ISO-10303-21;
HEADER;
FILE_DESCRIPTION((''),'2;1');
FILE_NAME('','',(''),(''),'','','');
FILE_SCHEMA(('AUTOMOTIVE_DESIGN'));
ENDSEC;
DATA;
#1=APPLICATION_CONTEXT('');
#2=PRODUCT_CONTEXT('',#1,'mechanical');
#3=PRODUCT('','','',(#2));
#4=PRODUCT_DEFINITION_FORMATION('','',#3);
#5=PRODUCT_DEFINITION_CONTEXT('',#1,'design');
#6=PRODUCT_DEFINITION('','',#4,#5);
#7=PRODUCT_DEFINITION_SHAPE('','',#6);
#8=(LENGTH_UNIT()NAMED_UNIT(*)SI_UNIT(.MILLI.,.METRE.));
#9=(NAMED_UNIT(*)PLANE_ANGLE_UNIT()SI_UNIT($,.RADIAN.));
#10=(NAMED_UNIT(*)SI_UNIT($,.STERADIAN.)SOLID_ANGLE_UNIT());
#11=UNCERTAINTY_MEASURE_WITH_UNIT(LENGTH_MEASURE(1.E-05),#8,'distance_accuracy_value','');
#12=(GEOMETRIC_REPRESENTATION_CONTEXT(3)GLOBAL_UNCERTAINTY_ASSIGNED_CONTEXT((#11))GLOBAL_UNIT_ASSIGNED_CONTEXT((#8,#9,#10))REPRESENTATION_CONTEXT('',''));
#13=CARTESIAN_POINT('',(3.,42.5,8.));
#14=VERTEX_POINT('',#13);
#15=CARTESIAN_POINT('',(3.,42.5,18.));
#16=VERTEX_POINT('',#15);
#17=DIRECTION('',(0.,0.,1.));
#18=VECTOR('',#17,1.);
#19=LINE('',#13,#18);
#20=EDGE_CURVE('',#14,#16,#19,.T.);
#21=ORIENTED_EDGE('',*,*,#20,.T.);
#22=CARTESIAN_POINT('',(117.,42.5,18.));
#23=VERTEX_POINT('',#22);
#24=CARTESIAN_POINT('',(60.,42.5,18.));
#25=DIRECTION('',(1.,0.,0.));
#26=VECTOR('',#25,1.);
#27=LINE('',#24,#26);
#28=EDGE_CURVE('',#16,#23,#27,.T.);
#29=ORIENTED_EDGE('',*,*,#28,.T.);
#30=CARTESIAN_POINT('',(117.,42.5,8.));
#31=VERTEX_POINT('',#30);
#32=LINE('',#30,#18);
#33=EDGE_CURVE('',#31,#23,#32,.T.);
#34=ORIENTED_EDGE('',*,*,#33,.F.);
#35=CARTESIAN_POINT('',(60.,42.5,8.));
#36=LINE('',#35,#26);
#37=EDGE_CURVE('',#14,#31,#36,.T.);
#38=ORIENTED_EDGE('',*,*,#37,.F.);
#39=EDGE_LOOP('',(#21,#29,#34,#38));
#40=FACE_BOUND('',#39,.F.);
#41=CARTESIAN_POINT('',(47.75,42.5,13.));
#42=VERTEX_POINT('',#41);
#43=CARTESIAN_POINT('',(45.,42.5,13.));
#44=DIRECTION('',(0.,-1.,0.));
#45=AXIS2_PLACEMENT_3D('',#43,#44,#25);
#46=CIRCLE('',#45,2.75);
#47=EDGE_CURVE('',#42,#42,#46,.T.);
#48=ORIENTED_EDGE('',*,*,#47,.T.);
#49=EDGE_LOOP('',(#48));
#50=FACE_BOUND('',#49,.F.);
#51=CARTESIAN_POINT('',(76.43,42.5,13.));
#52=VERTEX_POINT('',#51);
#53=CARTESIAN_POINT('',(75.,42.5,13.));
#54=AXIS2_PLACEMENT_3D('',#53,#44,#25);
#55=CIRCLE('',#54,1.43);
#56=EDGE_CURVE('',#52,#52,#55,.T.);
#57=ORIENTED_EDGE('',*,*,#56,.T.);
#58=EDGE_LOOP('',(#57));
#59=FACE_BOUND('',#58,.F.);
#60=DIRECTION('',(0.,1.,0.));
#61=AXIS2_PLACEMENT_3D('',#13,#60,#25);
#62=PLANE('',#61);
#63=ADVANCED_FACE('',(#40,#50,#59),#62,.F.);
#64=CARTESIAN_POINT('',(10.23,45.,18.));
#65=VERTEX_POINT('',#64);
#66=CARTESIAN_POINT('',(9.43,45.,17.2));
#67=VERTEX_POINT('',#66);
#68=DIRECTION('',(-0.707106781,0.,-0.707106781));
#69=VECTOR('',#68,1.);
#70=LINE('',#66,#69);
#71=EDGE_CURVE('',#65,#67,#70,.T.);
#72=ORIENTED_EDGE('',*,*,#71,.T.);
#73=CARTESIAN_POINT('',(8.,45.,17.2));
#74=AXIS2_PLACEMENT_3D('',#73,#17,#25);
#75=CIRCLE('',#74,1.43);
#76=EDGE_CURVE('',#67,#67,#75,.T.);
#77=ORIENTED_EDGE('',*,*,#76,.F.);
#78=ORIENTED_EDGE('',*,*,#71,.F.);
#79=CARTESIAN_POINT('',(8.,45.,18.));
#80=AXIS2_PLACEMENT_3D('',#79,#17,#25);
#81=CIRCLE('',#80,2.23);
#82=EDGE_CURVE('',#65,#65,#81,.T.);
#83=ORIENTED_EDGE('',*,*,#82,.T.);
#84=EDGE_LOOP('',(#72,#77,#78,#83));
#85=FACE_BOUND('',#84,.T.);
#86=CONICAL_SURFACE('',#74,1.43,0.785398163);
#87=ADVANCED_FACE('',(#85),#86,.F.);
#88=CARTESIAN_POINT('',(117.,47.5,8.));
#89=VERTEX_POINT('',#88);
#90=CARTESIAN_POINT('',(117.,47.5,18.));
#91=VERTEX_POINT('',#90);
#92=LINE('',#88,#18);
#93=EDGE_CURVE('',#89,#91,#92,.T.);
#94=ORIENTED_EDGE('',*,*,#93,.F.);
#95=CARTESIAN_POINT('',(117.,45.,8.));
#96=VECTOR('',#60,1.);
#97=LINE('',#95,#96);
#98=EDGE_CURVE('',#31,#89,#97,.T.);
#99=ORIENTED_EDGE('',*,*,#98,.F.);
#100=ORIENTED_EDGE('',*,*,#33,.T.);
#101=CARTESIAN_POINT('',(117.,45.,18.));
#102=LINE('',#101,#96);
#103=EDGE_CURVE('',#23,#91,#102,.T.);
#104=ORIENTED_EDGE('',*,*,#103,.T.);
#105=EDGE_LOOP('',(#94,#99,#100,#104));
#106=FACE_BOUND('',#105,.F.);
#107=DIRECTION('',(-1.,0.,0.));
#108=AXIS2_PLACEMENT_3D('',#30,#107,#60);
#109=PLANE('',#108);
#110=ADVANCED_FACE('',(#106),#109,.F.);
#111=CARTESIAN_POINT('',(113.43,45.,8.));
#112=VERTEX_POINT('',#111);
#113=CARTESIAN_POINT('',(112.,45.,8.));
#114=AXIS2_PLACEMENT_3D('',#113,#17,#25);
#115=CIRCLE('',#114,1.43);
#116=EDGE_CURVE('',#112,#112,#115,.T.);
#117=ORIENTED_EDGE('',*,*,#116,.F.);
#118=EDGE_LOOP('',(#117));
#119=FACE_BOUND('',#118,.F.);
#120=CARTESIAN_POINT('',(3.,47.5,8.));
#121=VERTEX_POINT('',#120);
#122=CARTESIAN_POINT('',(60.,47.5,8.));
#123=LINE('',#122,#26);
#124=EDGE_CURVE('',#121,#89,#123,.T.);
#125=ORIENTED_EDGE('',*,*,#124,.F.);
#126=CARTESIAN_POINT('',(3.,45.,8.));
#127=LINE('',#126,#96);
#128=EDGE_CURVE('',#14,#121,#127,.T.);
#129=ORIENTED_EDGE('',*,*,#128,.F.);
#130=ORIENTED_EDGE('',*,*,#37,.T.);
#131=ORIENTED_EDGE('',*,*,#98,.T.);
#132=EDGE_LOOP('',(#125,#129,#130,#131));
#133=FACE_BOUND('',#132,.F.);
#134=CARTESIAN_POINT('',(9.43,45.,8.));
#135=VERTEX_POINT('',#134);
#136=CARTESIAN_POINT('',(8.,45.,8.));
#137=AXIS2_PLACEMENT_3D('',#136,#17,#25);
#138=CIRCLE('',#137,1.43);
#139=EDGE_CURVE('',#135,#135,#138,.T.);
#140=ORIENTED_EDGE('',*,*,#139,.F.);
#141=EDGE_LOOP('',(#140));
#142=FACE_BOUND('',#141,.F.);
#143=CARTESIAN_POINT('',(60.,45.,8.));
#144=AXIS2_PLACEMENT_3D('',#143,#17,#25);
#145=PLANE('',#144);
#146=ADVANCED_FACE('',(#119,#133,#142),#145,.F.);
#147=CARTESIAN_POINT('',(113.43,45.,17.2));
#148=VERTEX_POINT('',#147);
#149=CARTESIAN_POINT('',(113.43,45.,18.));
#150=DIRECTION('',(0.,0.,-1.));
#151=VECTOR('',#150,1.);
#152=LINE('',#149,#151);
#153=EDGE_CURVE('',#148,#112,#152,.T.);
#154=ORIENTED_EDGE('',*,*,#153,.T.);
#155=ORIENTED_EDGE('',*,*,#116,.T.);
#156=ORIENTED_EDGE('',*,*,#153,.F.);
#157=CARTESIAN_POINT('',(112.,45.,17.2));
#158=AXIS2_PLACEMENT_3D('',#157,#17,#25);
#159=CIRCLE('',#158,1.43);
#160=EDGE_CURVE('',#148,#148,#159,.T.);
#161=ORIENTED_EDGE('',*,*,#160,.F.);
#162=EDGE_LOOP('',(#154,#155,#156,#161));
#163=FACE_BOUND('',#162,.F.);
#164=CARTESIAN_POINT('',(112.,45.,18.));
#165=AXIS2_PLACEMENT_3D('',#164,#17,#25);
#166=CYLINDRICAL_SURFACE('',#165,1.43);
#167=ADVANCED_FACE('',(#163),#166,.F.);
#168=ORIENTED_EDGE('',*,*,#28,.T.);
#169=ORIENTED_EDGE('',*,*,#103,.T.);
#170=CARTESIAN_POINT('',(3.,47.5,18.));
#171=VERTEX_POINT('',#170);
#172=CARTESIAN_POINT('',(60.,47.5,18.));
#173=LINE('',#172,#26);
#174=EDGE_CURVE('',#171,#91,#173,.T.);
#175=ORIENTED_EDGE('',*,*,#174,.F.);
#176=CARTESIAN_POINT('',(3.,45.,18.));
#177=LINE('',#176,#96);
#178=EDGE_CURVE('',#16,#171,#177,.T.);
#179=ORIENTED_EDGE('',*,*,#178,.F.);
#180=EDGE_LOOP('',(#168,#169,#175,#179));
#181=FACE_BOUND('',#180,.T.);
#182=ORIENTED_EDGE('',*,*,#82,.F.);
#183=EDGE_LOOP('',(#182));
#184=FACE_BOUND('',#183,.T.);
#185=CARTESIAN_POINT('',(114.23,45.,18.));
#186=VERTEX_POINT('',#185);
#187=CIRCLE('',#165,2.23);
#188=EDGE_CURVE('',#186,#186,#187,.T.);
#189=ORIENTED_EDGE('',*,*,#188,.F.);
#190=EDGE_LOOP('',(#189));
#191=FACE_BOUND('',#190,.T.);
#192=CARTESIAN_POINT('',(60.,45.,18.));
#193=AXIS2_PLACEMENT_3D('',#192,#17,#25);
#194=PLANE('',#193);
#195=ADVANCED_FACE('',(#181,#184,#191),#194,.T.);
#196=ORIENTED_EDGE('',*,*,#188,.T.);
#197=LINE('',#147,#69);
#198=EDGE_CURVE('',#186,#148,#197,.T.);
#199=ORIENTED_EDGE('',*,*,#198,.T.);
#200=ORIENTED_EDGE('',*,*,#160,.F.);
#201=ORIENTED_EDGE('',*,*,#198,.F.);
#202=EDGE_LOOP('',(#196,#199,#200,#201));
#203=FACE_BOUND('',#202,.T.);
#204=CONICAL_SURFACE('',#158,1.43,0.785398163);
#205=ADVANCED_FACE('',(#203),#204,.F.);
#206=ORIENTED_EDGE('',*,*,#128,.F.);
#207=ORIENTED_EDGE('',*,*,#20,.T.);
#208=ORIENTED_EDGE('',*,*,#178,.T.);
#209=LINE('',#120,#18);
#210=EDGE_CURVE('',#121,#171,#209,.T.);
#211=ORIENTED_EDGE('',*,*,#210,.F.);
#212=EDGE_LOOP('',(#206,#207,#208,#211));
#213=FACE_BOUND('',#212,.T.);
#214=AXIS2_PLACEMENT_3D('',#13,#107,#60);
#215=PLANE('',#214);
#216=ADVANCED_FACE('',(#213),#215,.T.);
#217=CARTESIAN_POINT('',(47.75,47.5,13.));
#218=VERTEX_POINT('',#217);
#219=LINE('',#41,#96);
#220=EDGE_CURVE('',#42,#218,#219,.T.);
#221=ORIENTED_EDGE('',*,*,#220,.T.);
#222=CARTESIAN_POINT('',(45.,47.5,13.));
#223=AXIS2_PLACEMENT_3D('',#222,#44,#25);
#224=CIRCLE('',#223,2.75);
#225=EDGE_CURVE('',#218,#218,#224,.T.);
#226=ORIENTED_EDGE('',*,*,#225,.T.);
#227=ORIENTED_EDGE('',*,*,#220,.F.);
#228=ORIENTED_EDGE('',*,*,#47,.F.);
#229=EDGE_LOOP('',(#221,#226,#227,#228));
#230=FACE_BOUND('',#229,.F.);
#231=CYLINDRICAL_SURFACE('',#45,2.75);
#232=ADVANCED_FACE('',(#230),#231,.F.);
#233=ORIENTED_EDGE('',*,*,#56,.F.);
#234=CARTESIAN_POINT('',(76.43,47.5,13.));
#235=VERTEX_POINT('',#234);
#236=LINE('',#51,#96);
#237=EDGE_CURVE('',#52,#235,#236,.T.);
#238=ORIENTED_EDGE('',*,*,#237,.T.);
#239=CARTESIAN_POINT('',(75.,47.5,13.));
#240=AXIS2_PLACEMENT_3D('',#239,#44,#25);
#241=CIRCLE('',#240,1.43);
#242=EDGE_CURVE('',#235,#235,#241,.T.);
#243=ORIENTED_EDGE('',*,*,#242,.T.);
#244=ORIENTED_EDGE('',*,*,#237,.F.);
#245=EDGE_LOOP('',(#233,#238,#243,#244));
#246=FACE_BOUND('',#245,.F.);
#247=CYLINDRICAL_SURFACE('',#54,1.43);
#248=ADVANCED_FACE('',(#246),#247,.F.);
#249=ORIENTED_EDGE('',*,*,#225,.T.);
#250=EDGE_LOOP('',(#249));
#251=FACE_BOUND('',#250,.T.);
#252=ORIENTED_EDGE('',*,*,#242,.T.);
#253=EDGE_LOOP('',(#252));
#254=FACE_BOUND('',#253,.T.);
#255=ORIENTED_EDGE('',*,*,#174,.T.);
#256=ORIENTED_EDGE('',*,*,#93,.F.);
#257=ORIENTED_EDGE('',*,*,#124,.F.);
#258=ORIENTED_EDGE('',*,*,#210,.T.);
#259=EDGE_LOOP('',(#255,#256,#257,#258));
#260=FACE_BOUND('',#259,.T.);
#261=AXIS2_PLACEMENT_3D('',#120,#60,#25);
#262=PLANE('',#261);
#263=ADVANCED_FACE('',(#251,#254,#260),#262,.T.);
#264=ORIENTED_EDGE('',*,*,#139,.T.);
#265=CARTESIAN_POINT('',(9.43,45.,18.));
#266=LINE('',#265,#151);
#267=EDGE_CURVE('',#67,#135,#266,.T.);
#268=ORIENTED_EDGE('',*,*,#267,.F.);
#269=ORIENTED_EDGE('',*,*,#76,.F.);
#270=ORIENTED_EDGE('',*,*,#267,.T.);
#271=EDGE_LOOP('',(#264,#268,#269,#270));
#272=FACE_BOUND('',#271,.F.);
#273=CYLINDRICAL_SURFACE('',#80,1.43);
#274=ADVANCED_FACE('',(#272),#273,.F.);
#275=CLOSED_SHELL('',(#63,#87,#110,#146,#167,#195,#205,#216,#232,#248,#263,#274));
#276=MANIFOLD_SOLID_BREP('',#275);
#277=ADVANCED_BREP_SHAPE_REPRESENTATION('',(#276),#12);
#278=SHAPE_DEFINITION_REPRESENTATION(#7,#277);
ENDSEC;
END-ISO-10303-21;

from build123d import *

# Parameters (mm, degrees)
SKETCH004_W     = 114
SKETCH004_H     = 5
PAD001_DEPTH    = 10
SKETCH005_R     = 1.43
POCKET003_DEPTH = 10
CHAMFER_SIZE    = 0.8
SKETCH009_R     = 2.75
SKETCH009_R_2   = 1.43
POCKET006_DEPTH = 5


with BuildPart() as part:
    # Sketch004 → Pad001 (new body)
    with BuildSketch(Plane.XY):
        with Locations((60, 45)):
            Rectangle(SKETCH004_W, SKETCH004_H)
    extrude(amount=PAD001_DEPTH)

    # Sketch005 (on Face6 of Pad001) → Pocket003 (cut)
    with BuildSketch(Plane.XY.offset(10)):
        with Locations((8, 45)):
            Circle(SKETCH005_R)
        with Locations((112, 45)):
            Circle(SKETCH005_R)
    extrude(amount=-POCKET003_DEPTH, mode=Mode.SUBTRACT)

    # Chamfer
    chamfer_edges = [part.edges().sort_by_distance(p)[0] for p in [
        (110.57, 45, 10),
        (6.57, 45, 10),
    ]]
    chamfer(chamfer_edges, length=CHAMFER_SIZE)

    # Sketch009 (on Face6 of Chamfer) → Pocket006 (cut)
    with BuildSketch(Plane.XZ.offset(-42.5)):
        with Locations((45, 5)):
            Circle(SKETCH009_R)
        with Locations((75, 5)):
            Circle(SKETCH009_R_2)
    extrude(amount=-POCKET006_DEPTH, mode=Mode.SUBTRACT)


with BuildPart() as part_1:
    # Body001 placement: moved
    add(part.part.moved(Location((0, 0, 8))))


solid = part_1.part
